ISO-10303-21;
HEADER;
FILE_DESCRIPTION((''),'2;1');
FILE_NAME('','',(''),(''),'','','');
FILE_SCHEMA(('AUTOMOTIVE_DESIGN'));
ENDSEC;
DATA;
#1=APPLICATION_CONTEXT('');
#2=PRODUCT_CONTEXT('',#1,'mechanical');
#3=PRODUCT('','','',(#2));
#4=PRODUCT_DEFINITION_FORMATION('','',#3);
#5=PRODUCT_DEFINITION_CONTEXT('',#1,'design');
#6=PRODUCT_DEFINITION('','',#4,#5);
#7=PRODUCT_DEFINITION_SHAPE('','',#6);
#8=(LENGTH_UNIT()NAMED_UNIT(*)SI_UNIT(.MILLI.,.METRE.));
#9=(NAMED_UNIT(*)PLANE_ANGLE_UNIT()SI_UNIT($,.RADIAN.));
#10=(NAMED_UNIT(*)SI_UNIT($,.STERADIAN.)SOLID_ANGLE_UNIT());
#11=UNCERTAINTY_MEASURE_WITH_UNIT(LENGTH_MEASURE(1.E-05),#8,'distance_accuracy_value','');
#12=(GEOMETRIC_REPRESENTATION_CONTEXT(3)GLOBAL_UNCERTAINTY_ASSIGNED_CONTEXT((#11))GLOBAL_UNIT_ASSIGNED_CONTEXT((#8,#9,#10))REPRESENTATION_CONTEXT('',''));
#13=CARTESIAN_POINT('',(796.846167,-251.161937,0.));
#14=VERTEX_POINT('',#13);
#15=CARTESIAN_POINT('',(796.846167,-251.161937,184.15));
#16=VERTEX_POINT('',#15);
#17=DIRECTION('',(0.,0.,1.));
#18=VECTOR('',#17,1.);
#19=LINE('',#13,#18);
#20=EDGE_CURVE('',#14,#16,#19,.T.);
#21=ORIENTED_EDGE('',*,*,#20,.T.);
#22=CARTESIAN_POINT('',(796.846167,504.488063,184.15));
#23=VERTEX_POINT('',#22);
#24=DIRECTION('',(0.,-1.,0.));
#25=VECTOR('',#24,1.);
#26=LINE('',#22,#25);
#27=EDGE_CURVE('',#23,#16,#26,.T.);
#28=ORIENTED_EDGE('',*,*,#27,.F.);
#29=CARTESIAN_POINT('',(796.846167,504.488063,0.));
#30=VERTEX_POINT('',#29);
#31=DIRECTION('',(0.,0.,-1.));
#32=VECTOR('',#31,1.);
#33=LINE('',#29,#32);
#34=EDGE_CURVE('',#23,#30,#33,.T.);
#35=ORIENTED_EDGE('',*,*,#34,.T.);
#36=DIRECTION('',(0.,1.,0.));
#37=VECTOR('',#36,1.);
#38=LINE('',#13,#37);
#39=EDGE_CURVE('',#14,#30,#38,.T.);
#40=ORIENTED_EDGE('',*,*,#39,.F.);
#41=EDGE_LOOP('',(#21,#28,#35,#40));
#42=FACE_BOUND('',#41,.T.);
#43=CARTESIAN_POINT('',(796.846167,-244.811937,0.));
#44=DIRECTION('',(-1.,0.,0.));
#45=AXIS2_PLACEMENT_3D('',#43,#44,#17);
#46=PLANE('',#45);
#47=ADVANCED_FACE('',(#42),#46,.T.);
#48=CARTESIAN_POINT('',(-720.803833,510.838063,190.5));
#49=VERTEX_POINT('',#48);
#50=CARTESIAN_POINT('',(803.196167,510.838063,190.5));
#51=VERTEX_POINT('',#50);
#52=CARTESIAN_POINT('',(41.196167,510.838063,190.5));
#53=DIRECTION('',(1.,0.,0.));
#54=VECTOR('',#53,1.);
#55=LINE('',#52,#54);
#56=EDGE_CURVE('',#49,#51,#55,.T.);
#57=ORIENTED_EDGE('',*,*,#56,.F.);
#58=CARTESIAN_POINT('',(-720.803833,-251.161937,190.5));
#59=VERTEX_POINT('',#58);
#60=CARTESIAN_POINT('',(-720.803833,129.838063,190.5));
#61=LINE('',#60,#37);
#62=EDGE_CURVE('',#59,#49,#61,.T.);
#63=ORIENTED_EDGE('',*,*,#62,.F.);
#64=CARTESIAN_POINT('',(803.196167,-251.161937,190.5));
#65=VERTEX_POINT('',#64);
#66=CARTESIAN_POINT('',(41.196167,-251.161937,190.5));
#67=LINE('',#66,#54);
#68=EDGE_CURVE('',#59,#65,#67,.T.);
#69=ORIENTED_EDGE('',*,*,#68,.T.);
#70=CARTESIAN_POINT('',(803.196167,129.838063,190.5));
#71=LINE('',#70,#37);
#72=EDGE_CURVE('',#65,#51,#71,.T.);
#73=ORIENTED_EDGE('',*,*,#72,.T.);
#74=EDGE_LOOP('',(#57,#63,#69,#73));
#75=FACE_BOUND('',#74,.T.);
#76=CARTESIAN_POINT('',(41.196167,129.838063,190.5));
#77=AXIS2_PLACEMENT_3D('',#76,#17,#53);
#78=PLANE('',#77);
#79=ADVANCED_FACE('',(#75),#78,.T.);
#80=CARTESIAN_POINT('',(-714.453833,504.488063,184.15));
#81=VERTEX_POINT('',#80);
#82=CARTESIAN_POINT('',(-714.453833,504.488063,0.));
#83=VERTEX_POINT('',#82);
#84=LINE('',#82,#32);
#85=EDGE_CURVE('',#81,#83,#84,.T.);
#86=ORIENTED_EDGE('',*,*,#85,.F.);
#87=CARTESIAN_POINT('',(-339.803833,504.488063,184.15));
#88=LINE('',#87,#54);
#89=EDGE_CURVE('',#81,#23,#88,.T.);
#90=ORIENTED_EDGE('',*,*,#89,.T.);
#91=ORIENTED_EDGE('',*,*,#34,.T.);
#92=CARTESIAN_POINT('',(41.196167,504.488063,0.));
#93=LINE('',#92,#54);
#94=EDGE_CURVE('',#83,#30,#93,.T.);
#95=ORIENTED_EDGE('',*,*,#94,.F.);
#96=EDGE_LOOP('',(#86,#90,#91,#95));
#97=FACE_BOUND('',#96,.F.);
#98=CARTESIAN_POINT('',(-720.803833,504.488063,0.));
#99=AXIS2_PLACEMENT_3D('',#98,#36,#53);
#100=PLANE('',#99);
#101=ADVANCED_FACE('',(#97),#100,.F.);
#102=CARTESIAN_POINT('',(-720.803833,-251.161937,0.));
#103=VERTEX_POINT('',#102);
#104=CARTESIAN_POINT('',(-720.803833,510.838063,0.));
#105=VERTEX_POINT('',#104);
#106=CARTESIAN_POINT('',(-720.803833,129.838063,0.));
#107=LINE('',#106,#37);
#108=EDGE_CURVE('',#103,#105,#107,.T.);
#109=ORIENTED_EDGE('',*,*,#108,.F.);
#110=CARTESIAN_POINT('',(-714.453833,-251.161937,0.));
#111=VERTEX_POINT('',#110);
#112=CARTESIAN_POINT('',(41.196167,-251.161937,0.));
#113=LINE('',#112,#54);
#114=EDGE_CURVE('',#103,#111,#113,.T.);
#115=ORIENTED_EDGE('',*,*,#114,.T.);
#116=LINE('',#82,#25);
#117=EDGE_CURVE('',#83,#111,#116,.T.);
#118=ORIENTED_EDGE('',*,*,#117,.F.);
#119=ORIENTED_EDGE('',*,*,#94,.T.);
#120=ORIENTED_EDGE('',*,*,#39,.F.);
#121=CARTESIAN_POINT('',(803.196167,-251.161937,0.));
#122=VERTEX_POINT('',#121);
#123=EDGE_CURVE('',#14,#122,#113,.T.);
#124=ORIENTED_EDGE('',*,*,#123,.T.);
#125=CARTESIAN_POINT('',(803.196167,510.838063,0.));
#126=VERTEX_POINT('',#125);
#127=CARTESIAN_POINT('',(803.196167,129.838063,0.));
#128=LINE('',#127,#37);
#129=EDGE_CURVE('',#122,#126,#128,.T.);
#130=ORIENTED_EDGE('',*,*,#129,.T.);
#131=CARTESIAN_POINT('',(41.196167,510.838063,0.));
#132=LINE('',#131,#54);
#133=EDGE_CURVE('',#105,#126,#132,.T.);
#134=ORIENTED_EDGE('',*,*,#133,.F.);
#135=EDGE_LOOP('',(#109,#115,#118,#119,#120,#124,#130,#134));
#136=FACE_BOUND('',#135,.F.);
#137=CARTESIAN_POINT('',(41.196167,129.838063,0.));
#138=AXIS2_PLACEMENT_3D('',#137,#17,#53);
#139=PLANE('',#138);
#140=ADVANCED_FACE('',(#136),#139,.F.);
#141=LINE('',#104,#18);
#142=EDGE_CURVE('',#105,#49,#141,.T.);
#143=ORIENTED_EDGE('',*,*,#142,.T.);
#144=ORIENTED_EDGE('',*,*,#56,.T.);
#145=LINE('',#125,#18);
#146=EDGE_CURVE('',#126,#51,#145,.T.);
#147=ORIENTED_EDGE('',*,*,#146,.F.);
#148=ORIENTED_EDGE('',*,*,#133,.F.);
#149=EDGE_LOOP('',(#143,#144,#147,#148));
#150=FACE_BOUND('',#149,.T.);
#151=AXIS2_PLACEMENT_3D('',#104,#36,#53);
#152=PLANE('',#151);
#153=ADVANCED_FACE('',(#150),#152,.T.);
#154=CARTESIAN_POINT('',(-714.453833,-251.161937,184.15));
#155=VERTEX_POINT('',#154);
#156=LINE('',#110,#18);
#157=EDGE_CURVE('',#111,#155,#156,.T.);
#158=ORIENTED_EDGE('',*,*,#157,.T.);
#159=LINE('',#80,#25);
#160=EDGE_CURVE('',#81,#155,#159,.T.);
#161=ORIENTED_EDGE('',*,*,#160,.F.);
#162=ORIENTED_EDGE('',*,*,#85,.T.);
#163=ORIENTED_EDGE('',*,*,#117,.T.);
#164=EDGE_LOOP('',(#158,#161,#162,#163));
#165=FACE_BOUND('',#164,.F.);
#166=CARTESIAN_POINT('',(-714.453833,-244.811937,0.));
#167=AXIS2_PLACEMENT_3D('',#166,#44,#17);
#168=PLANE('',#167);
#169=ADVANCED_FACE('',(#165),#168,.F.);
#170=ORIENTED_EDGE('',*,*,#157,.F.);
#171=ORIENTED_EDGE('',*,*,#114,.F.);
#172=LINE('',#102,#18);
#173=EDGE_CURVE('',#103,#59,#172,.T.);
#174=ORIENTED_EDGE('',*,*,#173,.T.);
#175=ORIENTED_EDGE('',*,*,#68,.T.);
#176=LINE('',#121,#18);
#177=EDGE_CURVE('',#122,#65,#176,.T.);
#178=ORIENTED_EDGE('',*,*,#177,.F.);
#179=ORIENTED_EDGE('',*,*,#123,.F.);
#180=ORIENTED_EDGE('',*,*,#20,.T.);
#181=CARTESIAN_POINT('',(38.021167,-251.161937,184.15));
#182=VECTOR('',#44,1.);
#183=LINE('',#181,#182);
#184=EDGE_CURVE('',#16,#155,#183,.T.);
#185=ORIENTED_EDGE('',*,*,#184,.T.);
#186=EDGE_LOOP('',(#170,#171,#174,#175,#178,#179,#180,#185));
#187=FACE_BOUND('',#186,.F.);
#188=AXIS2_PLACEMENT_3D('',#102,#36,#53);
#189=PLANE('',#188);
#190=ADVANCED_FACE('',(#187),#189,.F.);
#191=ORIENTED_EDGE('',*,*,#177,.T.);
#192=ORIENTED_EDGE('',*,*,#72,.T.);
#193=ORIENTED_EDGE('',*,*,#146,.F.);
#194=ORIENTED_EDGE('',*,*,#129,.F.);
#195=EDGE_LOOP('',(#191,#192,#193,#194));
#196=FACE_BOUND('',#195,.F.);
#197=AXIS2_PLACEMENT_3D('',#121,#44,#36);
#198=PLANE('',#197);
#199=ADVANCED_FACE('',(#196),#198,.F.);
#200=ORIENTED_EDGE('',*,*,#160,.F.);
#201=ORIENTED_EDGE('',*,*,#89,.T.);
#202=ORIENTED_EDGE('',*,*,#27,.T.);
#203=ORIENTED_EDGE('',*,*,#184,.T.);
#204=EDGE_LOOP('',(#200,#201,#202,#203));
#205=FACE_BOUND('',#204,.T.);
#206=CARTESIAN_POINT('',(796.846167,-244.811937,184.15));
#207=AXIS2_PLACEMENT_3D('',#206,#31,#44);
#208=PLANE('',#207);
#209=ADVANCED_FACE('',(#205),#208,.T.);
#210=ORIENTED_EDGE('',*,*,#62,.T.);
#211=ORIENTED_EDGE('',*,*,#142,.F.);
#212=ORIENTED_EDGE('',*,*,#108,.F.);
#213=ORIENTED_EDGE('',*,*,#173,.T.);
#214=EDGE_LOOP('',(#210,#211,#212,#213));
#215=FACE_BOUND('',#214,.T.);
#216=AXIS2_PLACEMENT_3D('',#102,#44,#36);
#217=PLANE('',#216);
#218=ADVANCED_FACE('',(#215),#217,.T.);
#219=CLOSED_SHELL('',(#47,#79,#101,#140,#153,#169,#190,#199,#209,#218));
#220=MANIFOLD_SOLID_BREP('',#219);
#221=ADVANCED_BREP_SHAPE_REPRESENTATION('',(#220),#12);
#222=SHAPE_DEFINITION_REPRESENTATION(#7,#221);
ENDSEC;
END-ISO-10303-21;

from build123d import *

# Parameters (mm, degrees)
F0_W     = 1524
F0_H     = 762
F1_DEPTH = 190.5
F2_T     = -6.35
F3_W     = 1511.3
F3_H     = 184.15
F4_DEPTH = 25.4


with BuildPart() as f1:
    # F0 (on Top) → F1 (new body)
    with BuildSketch(Plane.XY):
        with Locations((41.196167, 129.838063)):
            Rectangle(F0_W, F0_H)
    extrude(amount=F1_DEPTH)

    # F2
    f2_openings = [f1.faces().sort_by_distance(p)[0] for p in [
        (41.196167, 129.838063, 0),
    ]]
    offset(amount=F2_T, openings=f2_openings)

    # F3 (on face) → F4 (cut)
    with BuildSketch(Plane(origin=(0, -244.811937, 0), x_dir=(-1, 0, 0), z_dir=(0, 1, 0))):
        with Locations((-41.196167, 92.075)):
            Rectangle(F3_W, F3_H)
    extrude(amount=-F4_DEPTH, mode=Mode.SUBTRACT)


solid = f1.part
